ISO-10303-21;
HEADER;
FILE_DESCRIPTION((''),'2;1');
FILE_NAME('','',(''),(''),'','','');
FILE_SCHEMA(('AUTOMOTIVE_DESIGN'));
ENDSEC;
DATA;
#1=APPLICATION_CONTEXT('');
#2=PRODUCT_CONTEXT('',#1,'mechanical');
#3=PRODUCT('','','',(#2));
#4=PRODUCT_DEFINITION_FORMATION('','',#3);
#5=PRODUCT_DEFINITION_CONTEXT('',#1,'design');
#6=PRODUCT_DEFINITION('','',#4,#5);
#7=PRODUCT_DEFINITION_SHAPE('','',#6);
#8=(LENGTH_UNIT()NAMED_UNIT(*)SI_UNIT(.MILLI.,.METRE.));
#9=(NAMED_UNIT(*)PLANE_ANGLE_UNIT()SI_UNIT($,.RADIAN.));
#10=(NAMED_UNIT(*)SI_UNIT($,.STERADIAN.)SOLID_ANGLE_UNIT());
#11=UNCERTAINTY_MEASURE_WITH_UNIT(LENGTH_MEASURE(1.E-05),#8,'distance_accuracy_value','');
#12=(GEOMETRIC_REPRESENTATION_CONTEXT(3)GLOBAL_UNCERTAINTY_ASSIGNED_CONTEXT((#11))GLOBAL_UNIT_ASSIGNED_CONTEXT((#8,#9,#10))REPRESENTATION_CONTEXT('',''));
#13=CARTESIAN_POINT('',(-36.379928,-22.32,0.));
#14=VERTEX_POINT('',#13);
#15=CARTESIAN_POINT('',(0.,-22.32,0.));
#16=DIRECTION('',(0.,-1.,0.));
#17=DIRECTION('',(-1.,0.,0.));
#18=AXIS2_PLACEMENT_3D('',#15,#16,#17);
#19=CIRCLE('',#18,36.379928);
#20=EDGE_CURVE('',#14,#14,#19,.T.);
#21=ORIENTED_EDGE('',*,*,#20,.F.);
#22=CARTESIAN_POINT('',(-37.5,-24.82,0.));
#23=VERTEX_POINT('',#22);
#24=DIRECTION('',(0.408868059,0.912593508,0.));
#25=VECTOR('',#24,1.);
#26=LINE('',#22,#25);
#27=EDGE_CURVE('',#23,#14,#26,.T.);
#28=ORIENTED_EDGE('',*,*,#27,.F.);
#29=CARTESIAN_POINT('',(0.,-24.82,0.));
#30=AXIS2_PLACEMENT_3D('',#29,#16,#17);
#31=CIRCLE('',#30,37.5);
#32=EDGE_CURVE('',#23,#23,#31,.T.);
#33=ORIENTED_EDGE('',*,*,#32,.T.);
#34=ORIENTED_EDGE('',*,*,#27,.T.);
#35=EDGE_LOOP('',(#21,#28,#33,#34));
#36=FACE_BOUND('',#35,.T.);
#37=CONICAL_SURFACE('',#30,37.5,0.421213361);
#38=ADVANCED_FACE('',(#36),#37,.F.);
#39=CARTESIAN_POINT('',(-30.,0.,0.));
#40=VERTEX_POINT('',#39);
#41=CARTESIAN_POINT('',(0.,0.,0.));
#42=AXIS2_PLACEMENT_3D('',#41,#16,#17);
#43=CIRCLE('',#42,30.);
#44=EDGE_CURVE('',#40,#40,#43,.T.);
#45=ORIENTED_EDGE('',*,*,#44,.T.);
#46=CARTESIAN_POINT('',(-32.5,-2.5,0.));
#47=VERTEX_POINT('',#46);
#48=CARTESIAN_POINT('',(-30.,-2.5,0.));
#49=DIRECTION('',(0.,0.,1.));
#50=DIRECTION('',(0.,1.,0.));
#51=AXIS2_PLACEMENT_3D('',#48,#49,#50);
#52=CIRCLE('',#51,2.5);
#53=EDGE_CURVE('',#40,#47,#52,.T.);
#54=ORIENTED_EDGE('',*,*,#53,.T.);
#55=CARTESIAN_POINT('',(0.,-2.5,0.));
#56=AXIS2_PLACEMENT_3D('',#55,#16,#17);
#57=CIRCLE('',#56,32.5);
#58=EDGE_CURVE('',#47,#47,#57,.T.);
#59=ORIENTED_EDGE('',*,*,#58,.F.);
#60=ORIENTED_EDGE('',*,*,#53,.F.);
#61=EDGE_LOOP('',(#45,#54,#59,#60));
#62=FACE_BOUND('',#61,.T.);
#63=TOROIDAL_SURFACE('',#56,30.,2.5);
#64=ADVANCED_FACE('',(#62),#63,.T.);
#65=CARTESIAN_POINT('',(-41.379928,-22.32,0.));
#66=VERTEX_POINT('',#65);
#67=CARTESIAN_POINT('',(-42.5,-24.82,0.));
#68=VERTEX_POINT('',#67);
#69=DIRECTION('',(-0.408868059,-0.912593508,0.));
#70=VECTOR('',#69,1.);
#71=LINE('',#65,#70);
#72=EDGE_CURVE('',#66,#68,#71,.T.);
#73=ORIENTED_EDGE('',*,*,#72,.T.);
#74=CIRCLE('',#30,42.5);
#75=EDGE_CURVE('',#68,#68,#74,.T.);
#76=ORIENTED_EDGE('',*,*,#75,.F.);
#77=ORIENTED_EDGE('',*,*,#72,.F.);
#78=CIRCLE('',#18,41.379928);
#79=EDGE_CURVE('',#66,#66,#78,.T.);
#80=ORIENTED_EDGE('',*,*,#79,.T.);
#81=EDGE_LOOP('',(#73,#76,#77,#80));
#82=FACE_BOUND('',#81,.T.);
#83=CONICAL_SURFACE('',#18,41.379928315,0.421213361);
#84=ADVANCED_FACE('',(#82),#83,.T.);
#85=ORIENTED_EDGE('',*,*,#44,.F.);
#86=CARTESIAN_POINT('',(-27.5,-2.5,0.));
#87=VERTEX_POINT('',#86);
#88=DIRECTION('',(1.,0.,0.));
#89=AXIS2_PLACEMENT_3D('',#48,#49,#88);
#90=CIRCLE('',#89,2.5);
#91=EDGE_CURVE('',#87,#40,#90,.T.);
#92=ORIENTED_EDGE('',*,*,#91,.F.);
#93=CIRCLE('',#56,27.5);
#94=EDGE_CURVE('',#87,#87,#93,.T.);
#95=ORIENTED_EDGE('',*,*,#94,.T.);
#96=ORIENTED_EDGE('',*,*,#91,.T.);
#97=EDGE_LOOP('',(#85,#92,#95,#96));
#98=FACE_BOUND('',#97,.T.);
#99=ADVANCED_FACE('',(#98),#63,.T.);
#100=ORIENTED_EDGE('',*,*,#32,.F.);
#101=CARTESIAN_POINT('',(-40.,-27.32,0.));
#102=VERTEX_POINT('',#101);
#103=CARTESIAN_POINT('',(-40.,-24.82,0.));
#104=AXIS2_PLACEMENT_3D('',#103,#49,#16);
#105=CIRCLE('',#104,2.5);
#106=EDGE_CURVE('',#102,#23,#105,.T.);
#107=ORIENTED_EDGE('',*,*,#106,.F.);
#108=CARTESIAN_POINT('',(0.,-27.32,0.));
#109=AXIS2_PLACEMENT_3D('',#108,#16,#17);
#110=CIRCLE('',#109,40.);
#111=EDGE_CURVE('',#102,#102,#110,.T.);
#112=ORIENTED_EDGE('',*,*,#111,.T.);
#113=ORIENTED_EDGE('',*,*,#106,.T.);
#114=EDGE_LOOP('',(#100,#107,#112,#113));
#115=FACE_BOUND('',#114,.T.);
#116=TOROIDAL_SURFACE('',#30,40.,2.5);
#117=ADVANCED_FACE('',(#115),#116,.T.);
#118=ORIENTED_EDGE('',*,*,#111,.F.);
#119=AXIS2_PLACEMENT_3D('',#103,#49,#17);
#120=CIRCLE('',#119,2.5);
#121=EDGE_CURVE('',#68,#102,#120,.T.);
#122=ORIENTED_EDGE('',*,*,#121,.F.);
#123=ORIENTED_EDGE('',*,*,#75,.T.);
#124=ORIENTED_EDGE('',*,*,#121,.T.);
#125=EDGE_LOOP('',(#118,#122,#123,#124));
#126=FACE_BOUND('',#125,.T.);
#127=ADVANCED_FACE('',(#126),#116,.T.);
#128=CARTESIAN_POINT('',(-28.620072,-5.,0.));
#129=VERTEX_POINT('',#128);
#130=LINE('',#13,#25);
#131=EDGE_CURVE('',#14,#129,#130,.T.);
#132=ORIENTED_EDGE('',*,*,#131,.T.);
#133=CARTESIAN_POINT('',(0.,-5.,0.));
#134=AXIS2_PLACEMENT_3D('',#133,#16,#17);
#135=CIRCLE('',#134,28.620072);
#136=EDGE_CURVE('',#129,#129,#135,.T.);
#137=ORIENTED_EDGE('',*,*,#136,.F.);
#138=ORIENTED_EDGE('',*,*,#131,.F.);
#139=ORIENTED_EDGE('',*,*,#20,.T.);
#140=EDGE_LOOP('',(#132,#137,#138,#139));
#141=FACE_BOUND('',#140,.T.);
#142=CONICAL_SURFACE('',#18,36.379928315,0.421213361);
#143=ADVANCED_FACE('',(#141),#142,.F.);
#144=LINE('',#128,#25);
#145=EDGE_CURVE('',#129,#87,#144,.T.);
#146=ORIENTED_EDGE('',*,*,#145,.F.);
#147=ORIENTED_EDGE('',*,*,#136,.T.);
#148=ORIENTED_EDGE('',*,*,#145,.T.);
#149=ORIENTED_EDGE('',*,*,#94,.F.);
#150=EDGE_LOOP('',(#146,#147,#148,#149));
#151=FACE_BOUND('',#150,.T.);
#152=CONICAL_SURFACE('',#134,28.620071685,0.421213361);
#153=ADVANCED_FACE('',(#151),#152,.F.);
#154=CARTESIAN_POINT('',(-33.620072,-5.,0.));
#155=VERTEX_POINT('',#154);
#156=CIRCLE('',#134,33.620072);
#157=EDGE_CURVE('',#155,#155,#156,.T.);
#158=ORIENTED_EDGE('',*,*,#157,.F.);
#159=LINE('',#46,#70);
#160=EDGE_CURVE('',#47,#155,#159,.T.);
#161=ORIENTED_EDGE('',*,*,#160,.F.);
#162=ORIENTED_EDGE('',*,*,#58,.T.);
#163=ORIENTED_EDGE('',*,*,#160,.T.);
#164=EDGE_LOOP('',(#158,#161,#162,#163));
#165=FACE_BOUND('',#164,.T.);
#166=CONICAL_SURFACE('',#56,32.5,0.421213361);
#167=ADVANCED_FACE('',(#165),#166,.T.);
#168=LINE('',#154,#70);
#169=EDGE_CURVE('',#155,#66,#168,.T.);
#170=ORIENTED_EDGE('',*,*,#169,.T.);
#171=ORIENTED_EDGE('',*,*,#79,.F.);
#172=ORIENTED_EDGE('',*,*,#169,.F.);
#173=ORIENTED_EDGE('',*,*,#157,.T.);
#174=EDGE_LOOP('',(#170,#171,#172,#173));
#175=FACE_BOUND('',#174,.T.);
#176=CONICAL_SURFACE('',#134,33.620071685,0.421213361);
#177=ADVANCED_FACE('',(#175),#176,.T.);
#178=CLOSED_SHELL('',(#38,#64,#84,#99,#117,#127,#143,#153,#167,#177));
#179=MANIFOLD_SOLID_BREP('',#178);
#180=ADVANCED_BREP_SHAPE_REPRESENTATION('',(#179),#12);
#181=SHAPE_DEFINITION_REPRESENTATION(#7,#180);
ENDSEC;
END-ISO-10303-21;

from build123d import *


with BuildPart() as f1:
    # F0 (on Top) → F1 (revolve)
    with BuildSketch(Plane.XY):
        with BuildLine():
            ThreePointArc((-27.5, -2.5), (-28.232233047, -0.732233047), (-30, 0))
            ThreePointArc((-30, 0), (-31.767766953, -0.732233047), (-32.5, -2.5))
            Line((-32.5, -2.5), (-33.6200716846, -5))
            Line((-33.6200716846, -5), (-28.6200716846, -5))
            Line((-28.6200716846, -5), (-27.5, -2.5))
        make_face()
        Polygon((-36.3799283154, -22.32), (-28.6200716846, -5), (-33.6200716846, -5), (-41.3799283154, -22.32), align=None)
        with BuildLine():
            Line((-37.5, -24.82), (-36.3799283154, -22.32))
            Line((-36.3799283154, -22.32), (-41.3799283154, -22.32))
            Line((-41.3799283154, -22.32), (-42.5, -24.82))
            ThreePointArc((-42.5, -24.82), (-41.767766953, -26.587766953), (-40, -27.32))
            ThreePointArc((-40, -27.32), (-38.232233047, -26.587766953), (-37.5, -24.82))
        make_face()
    revolve(axis=Axis((0, -13.66, 0), (0, -1, 0)))


solid = f1.part
